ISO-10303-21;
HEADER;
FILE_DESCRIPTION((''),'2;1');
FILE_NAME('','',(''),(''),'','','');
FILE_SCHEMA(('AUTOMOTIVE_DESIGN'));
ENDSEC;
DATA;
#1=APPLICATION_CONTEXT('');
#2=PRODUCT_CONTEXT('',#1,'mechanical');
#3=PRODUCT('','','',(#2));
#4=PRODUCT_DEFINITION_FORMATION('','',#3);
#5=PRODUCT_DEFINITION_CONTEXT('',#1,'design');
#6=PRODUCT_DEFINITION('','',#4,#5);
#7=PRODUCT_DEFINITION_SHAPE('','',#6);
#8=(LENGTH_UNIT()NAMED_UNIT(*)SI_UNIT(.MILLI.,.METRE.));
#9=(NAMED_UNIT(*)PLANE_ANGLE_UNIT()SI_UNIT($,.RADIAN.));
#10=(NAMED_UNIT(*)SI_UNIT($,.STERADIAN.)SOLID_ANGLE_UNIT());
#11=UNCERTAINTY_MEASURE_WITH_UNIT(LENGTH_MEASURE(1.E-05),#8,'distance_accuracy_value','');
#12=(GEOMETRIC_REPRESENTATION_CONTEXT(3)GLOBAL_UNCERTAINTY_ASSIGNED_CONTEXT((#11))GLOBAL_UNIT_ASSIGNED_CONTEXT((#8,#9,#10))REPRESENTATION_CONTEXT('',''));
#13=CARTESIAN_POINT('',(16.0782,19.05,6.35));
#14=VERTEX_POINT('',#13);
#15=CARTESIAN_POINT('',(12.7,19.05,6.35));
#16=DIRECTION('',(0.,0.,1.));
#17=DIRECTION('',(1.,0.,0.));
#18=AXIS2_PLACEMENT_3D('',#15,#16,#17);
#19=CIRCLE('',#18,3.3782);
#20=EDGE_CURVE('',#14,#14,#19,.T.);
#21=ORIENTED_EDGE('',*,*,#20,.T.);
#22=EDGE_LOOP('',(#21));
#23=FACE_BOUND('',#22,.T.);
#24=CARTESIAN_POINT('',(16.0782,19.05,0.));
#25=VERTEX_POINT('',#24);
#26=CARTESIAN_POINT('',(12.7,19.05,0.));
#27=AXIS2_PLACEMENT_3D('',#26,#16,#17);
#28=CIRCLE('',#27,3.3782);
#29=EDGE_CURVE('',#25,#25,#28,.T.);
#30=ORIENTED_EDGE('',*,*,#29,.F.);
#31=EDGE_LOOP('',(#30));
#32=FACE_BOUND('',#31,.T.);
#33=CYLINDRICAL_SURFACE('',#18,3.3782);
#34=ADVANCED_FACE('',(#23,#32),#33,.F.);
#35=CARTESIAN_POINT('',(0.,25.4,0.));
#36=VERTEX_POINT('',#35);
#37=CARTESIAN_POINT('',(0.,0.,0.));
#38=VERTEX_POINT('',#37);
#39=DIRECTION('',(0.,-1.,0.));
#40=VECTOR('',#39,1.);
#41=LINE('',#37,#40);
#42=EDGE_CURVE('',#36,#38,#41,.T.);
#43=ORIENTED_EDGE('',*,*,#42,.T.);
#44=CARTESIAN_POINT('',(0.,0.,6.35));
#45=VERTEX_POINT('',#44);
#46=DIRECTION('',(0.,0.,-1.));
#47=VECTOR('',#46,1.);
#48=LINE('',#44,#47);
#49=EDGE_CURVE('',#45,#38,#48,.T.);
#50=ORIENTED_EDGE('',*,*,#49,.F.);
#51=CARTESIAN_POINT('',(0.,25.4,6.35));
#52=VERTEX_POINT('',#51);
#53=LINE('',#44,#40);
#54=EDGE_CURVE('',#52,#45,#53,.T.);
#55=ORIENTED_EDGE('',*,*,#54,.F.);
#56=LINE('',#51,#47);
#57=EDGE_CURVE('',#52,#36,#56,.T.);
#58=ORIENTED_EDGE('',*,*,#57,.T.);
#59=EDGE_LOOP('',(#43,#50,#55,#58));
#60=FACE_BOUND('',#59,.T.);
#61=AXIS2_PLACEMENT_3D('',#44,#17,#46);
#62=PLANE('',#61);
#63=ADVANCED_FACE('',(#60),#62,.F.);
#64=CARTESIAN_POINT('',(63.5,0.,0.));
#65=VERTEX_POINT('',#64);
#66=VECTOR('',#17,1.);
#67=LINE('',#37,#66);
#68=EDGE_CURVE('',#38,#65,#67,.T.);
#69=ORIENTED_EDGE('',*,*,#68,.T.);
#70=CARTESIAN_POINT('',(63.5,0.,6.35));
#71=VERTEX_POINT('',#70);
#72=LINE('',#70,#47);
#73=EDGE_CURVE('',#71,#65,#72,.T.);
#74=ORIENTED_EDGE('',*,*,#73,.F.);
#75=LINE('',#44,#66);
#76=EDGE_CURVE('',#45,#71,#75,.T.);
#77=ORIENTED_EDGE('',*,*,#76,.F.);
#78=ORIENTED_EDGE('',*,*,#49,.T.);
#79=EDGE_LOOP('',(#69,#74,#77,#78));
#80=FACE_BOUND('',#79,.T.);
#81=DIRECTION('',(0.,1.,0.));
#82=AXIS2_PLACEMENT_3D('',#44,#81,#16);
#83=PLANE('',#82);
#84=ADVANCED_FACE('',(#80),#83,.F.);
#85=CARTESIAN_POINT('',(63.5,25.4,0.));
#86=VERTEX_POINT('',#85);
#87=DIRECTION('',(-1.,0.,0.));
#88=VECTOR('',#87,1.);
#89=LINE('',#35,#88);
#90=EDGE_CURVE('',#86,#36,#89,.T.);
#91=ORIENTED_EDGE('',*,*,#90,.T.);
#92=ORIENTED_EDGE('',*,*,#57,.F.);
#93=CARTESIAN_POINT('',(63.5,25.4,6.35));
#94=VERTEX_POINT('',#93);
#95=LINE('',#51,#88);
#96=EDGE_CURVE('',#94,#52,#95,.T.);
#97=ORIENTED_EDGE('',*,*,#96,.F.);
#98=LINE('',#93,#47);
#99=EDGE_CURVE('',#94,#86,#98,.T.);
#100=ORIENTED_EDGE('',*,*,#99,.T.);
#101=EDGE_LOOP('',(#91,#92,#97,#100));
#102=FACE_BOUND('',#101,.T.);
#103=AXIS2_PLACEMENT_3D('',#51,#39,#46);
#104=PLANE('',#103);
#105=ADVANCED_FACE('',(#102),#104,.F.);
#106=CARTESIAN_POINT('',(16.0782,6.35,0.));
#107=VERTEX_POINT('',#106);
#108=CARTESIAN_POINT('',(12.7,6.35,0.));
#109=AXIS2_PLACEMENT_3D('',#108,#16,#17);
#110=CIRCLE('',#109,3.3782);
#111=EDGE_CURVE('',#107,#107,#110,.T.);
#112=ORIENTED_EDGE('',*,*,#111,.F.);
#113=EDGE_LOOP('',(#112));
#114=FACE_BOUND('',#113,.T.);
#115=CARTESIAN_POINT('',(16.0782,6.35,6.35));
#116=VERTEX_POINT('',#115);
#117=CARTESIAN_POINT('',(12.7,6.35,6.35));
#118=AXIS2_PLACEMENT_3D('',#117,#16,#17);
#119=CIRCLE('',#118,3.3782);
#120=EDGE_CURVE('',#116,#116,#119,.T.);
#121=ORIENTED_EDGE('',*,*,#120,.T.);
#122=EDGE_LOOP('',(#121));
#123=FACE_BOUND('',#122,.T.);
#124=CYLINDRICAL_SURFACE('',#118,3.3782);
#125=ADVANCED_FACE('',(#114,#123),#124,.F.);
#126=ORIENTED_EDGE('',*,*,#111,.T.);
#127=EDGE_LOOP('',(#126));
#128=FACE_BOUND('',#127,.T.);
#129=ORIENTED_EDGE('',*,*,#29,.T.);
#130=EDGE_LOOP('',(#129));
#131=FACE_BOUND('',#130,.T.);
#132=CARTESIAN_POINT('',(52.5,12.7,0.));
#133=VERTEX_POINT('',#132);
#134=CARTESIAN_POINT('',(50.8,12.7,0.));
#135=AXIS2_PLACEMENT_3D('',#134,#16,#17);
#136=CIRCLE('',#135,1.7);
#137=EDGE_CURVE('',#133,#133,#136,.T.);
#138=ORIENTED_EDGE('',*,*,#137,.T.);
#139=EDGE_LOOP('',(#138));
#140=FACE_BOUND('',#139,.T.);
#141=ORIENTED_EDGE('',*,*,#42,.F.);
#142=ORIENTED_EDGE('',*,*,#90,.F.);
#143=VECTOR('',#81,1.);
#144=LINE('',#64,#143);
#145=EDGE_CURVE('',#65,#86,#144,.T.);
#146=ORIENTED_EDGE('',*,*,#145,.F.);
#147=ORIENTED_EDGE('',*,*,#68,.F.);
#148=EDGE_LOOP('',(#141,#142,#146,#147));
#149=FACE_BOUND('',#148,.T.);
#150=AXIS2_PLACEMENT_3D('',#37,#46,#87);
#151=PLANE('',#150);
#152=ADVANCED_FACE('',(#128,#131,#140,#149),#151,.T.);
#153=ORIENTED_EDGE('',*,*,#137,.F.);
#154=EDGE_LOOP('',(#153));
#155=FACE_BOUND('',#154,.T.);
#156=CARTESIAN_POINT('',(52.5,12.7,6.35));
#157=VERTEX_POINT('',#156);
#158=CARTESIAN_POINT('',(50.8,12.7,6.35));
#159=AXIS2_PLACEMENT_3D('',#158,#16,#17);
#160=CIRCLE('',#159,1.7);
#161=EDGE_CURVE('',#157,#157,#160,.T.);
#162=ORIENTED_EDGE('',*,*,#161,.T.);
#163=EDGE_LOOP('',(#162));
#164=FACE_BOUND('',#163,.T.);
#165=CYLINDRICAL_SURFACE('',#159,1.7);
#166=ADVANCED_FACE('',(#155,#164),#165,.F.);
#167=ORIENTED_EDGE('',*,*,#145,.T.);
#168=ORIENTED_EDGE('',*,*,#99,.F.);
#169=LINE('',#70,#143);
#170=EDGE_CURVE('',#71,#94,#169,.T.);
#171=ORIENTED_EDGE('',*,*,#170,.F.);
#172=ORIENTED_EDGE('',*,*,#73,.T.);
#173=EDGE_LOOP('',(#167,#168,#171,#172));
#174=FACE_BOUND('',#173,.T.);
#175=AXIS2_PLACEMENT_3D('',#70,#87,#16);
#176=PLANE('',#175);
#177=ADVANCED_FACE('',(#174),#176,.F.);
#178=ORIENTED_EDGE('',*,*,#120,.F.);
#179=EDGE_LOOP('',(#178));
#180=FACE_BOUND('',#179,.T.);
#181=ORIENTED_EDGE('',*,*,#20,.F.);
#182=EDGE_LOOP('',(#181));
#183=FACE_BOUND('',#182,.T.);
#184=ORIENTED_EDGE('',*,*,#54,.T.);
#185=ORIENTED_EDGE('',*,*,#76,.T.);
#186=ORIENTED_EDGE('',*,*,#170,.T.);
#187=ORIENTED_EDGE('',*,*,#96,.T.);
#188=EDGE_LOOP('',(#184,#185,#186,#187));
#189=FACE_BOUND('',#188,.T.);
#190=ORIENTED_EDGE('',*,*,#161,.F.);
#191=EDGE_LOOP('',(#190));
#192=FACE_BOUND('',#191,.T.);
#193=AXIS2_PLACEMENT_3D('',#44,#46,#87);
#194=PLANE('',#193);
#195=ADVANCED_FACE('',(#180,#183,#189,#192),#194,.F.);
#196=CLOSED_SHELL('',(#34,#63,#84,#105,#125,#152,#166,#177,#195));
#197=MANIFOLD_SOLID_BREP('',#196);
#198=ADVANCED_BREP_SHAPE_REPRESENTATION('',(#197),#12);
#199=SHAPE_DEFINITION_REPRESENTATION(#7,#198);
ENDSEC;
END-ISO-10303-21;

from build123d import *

# Parameters (mm, degrees)
SKETCH1_W               = 63.5
SKETCH1_H               = 25.4
BOSS_EXTRUDE1_DEPTH     = 6.35
F_1_4_CLEARANCE_HOLE1_D = 6.7564
M3_CLEARANCE_HOLE1_D    = 3.4


with BuildPart() as part:
    # Sketch1 → Boss-Extrude1 (new body)
    with BuildSketch(Plane.XY):
        with Locations((31.75, 12.7)):
            Rectangle(SKETCH1_W, SKETCH1_H)
    extrude(amount=BOSS_EXTRUDE1_DEPTH)

    # 1/4 Clearance Hole1 (through all)
    with Locations(Plane.XY.offset(6.35)):
        with Locations((12.7, 6.35), (12.7, 19.05)):
            Hole(F_1_4_CLEARANCE_HOLE1_D / 2)

    # M3 Clearance Hole1 (through all)
    with Locations(Plane.XY.offset(6.35)):
        with Locations((50.8, 12.7)):
            Hole(M3_CLEARANCE_HOLE1_D / 2)


solid = part.part
